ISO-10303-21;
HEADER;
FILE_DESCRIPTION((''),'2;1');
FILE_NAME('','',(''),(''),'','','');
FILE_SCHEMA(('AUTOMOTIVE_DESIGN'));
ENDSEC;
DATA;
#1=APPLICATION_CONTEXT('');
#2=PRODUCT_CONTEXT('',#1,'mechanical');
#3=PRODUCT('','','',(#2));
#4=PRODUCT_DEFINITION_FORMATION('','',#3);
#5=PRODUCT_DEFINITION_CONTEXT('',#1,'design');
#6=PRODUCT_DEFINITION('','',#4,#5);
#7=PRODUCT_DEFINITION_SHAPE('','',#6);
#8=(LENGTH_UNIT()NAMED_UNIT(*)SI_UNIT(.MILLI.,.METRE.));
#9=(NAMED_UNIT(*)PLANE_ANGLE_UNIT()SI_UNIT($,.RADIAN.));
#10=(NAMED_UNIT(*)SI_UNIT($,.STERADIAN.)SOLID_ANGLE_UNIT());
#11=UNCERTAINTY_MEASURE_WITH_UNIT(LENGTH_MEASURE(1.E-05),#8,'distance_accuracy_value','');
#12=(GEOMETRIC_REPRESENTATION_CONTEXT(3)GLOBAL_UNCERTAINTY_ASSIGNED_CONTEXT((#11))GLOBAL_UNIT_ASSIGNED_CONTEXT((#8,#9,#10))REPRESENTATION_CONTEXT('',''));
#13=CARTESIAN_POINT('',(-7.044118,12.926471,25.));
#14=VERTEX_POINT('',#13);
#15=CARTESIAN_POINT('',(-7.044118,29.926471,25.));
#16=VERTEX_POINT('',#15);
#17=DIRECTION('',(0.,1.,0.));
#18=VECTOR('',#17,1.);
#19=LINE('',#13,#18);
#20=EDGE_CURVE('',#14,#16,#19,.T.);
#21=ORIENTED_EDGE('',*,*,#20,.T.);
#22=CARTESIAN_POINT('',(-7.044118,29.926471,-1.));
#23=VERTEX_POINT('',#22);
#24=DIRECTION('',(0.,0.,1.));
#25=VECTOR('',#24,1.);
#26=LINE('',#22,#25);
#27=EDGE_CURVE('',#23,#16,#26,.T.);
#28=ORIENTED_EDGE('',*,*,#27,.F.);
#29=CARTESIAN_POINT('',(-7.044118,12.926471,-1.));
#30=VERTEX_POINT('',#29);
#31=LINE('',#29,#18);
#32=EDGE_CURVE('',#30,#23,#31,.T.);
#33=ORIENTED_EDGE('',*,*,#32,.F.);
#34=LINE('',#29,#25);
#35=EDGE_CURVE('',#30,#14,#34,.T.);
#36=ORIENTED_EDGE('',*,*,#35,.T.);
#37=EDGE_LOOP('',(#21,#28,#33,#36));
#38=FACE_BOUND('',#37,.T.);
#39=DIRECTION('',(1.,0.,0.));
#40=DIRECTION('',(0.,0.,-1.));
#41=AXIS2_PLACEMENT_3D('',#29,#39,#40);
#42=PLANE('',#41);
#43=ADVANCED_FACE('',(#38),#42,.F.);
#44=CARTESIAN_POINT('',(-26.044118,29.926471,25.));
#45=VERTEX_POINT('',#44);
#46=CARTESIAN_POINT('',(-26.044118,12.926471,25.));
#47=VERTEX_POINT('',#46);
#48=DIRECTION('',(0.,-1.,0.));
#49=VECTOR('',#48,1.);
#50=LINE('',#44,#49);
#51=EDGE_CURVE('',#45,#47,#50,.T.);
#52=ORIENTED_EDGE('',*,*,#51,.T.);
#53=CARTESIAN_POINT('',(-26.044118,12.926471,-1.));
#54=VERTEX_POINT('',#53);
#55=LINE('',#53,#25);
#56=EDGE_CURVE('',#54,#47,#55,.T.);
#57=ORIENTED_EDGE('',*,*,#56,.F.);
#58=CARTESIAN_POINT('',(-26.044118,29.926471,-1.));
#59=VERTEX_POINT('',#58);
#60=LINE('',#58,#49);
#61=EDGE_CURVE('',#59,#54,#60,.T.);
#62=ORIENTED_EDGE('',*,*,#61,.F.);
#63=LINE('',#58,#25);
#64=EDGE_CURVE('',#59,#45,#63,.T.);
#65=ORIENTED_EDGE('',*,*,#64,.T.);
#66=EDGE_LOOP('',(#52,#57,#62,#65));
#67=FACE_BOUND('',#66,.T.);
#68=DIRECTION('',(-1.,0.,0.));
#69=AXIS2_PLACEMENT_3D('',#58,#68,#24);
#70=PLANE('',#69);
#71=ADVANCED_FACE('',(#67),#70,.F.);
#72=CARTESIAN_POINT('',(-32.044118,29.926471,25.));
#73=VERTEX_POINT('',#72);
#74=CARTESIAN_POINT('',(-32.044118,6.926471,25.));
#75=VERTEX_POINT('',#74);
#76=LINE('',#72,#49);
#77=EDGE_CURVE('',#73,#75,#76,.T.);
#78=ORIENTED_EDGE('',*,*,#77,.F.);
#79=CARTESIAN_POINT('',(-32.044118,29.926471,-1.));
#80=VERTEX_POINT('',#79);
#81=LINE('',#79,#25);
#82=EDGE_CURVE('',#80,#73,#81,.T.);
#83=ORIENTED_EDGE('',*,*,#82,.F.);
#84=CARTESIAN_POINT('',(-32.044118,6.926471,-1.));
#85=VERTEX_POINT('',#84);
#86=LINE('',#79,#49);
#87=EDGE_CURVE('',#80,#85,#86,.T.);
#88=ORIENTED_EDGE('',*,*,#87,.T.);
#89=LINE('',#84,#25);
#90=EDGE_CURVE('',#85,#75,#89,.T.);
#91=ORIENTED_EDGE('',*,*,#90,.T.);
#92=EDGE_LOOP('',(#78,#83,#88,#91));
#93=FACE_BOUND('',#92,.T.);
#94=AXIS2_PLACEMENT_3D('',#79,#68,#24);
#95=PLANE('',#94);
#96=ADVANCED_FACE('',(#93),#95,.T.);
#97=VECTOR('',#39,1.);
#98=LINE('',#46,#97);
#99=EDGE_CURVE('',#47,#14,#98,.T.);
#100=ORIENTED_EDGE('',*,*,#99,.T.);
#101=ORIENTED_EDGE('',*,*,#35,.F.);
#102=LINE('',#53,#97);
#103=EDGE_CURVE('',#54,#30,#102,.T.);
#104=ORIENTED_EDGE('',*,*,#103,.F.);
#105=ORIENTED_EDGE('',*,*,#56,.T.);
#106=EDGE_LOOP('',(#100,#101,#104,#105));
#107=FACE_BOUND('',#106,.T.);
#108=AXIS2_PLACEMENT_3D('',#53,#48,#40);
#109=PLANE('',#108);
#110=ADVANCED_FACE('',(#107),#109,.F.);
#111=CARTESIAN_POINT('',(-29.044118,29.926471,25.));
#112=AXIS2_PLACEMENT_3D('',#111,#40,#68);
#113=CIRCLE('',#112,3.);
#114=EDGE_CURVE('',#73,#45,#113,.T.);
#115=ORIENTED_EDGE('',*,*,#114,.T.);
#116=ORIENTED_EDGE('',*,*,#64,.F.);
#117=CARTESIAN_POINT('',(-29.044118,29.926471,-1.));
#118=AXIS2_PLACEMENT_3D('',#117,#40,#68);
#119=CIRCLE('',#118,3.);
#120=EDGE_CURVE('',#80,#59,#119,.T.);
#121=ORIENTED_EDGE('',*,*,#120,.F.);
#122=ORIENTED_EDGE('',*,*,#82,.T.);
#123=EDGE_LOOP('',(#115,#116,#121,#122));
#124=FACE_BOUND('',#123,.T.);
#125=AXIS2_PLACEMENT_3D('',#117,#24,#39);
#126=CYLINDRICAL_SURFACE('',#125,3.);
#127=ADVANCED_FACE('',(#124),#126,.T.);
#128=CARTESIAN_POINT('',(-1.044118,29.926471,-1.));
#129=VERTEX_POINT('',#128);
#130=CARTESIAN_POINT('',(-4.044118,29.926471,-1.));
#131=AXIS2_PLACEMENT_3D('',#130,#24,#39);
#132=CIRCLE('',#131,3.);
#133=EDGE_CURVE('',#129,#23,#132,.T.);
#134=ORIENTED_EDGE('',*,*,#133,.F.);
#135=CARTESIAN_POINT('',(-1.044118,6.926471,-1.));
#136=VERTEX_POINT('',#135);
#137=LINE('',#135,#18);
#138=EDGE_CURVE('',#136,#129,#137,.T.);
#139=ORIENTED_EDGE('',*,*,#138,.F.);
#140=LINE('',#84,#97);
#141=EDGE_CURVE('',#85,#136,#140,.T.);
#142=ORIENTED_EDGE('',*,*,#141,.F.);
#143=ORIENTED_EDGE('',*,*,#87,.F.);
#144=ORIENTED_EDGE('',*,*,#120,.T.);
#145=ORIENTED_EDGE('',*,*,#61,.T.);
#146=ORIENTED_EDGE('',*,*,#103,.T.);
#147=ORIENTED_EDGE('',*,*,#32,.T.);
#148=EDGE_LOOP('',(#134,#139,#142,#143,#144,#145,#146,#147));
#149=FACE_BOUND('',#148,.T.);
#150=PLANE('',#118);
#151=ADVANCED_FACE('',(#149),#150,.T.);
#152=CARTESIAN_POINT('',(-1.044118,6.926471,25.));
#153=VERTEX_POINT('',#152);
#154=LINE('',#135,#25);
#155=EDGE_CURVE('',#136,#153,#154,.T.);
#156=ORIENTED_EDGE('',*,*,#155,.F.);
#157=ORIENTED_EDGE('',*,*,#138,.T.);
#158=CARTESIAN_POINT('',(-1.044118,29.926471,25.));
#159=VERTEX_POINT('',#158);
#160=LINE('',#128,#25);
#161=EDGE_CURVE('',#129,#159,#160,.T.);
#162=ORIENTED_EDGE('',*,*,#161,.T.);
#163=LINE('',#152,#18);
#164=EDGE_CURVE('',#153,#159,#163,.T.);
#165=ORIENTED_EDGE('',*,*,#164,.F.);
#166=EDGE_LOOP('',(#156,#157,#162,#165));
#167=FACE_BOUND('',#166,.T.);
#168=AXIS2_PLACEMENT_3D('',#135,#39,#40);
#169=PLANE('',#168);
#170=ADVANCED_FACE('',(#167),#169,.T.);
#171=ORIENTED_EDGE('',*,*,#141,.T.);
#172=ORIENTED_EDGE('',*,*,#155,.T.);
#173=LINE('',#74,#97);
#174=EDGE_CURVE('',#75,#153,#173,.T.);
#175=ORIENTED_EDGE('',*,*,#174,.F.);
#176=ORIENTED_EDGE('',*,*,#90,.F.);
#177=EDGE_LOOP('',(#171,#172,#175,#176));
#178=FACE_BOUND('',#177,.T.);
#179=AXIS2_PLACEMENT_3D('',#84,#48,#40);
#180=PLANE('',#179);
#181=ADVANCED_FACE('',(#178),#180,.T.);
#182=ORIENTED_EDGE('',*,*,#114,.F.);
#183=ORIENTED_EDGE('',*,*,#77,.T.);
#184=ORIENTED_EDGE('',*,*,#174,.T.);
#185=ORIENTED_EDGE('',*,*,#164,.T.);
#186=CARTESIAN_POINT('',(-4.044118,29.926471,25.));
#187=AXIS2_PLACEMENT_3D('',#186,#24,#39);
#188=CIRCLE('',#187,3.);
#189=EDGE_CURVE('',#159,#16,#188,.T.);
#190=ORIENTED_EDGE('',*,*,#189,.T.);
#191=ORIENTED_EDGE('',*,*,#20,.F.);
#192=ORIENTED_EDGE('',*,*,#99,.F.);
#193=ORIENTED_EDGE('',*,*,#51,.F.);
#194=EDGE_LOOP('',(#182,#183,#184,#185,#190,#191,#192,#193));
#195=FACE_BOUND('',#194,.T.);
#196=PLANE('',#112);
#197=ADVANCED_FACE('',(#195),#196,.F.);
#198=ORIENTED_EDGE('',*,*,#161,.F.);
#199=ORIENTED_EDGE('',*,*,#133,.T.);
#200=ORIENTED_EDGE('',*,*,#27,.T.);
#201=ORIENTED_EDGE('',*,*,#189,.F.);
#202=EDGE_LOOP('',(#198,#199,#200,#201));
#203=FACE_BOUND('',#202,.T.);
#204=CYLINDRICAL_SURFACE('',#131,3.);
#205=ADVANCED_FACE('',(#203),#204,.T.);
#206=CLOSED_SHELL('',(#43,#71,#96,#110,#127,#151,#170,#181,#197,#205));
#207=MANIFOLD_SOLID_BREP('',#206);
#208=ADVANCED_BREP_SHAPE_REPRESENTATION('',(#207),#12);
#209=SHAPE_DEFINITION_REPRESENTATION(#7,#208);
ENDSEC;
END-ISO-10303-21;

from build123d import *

# Parameters (mm, degrees)
BOSS_EXTRUDE5_DEPTH      = 25
BOSS_EXTRUDE5_DEPTH_BACK = 1


with BuildPart() as part:
    # Sketch2 → Boss-Extrude5 (new, two sides: drawn at the far end of the back side and taken through both)
    with BuildSketch(Plane.XY.offset(-BOSS_EXTRUDE5_DEPTH_BACK)):
        with BuildLine():
            Line((-32.044117647, 29.926470588), (-32.044117647, 6.926470588))
            Line((-32.044117647, 6.926470588), (-1.044117647, 6.926470588))
            Line((-1.044117647, 6.926470588), (-1.044117647, 29.926470588))
            ThreePointArc((-1.044117647, 29.926470588), (-4.044117647, 32.926470588), (-7.044117647, 29.926470588))
            Line((-7.044117647, 29.926470588), (-7.044117647, 12.926470588))
            Line((-7.044117647, 12.926470588), (-26.044117647, 12.926470588))
            Line((-26.044117647, 12.926470588), (-26.044117647, 29.926470588))
            ThreePointArc((-26.044117647, 29.926470588), (-29.044117647, 32.926470588), (-32.044117647, 29.926470588))
        make_face()
    extrude(amount=BOSS_EXTRUDE5_DEPTH + BOSS_EXTRUDE5_DEPTH_BACK)


solid = part.part
